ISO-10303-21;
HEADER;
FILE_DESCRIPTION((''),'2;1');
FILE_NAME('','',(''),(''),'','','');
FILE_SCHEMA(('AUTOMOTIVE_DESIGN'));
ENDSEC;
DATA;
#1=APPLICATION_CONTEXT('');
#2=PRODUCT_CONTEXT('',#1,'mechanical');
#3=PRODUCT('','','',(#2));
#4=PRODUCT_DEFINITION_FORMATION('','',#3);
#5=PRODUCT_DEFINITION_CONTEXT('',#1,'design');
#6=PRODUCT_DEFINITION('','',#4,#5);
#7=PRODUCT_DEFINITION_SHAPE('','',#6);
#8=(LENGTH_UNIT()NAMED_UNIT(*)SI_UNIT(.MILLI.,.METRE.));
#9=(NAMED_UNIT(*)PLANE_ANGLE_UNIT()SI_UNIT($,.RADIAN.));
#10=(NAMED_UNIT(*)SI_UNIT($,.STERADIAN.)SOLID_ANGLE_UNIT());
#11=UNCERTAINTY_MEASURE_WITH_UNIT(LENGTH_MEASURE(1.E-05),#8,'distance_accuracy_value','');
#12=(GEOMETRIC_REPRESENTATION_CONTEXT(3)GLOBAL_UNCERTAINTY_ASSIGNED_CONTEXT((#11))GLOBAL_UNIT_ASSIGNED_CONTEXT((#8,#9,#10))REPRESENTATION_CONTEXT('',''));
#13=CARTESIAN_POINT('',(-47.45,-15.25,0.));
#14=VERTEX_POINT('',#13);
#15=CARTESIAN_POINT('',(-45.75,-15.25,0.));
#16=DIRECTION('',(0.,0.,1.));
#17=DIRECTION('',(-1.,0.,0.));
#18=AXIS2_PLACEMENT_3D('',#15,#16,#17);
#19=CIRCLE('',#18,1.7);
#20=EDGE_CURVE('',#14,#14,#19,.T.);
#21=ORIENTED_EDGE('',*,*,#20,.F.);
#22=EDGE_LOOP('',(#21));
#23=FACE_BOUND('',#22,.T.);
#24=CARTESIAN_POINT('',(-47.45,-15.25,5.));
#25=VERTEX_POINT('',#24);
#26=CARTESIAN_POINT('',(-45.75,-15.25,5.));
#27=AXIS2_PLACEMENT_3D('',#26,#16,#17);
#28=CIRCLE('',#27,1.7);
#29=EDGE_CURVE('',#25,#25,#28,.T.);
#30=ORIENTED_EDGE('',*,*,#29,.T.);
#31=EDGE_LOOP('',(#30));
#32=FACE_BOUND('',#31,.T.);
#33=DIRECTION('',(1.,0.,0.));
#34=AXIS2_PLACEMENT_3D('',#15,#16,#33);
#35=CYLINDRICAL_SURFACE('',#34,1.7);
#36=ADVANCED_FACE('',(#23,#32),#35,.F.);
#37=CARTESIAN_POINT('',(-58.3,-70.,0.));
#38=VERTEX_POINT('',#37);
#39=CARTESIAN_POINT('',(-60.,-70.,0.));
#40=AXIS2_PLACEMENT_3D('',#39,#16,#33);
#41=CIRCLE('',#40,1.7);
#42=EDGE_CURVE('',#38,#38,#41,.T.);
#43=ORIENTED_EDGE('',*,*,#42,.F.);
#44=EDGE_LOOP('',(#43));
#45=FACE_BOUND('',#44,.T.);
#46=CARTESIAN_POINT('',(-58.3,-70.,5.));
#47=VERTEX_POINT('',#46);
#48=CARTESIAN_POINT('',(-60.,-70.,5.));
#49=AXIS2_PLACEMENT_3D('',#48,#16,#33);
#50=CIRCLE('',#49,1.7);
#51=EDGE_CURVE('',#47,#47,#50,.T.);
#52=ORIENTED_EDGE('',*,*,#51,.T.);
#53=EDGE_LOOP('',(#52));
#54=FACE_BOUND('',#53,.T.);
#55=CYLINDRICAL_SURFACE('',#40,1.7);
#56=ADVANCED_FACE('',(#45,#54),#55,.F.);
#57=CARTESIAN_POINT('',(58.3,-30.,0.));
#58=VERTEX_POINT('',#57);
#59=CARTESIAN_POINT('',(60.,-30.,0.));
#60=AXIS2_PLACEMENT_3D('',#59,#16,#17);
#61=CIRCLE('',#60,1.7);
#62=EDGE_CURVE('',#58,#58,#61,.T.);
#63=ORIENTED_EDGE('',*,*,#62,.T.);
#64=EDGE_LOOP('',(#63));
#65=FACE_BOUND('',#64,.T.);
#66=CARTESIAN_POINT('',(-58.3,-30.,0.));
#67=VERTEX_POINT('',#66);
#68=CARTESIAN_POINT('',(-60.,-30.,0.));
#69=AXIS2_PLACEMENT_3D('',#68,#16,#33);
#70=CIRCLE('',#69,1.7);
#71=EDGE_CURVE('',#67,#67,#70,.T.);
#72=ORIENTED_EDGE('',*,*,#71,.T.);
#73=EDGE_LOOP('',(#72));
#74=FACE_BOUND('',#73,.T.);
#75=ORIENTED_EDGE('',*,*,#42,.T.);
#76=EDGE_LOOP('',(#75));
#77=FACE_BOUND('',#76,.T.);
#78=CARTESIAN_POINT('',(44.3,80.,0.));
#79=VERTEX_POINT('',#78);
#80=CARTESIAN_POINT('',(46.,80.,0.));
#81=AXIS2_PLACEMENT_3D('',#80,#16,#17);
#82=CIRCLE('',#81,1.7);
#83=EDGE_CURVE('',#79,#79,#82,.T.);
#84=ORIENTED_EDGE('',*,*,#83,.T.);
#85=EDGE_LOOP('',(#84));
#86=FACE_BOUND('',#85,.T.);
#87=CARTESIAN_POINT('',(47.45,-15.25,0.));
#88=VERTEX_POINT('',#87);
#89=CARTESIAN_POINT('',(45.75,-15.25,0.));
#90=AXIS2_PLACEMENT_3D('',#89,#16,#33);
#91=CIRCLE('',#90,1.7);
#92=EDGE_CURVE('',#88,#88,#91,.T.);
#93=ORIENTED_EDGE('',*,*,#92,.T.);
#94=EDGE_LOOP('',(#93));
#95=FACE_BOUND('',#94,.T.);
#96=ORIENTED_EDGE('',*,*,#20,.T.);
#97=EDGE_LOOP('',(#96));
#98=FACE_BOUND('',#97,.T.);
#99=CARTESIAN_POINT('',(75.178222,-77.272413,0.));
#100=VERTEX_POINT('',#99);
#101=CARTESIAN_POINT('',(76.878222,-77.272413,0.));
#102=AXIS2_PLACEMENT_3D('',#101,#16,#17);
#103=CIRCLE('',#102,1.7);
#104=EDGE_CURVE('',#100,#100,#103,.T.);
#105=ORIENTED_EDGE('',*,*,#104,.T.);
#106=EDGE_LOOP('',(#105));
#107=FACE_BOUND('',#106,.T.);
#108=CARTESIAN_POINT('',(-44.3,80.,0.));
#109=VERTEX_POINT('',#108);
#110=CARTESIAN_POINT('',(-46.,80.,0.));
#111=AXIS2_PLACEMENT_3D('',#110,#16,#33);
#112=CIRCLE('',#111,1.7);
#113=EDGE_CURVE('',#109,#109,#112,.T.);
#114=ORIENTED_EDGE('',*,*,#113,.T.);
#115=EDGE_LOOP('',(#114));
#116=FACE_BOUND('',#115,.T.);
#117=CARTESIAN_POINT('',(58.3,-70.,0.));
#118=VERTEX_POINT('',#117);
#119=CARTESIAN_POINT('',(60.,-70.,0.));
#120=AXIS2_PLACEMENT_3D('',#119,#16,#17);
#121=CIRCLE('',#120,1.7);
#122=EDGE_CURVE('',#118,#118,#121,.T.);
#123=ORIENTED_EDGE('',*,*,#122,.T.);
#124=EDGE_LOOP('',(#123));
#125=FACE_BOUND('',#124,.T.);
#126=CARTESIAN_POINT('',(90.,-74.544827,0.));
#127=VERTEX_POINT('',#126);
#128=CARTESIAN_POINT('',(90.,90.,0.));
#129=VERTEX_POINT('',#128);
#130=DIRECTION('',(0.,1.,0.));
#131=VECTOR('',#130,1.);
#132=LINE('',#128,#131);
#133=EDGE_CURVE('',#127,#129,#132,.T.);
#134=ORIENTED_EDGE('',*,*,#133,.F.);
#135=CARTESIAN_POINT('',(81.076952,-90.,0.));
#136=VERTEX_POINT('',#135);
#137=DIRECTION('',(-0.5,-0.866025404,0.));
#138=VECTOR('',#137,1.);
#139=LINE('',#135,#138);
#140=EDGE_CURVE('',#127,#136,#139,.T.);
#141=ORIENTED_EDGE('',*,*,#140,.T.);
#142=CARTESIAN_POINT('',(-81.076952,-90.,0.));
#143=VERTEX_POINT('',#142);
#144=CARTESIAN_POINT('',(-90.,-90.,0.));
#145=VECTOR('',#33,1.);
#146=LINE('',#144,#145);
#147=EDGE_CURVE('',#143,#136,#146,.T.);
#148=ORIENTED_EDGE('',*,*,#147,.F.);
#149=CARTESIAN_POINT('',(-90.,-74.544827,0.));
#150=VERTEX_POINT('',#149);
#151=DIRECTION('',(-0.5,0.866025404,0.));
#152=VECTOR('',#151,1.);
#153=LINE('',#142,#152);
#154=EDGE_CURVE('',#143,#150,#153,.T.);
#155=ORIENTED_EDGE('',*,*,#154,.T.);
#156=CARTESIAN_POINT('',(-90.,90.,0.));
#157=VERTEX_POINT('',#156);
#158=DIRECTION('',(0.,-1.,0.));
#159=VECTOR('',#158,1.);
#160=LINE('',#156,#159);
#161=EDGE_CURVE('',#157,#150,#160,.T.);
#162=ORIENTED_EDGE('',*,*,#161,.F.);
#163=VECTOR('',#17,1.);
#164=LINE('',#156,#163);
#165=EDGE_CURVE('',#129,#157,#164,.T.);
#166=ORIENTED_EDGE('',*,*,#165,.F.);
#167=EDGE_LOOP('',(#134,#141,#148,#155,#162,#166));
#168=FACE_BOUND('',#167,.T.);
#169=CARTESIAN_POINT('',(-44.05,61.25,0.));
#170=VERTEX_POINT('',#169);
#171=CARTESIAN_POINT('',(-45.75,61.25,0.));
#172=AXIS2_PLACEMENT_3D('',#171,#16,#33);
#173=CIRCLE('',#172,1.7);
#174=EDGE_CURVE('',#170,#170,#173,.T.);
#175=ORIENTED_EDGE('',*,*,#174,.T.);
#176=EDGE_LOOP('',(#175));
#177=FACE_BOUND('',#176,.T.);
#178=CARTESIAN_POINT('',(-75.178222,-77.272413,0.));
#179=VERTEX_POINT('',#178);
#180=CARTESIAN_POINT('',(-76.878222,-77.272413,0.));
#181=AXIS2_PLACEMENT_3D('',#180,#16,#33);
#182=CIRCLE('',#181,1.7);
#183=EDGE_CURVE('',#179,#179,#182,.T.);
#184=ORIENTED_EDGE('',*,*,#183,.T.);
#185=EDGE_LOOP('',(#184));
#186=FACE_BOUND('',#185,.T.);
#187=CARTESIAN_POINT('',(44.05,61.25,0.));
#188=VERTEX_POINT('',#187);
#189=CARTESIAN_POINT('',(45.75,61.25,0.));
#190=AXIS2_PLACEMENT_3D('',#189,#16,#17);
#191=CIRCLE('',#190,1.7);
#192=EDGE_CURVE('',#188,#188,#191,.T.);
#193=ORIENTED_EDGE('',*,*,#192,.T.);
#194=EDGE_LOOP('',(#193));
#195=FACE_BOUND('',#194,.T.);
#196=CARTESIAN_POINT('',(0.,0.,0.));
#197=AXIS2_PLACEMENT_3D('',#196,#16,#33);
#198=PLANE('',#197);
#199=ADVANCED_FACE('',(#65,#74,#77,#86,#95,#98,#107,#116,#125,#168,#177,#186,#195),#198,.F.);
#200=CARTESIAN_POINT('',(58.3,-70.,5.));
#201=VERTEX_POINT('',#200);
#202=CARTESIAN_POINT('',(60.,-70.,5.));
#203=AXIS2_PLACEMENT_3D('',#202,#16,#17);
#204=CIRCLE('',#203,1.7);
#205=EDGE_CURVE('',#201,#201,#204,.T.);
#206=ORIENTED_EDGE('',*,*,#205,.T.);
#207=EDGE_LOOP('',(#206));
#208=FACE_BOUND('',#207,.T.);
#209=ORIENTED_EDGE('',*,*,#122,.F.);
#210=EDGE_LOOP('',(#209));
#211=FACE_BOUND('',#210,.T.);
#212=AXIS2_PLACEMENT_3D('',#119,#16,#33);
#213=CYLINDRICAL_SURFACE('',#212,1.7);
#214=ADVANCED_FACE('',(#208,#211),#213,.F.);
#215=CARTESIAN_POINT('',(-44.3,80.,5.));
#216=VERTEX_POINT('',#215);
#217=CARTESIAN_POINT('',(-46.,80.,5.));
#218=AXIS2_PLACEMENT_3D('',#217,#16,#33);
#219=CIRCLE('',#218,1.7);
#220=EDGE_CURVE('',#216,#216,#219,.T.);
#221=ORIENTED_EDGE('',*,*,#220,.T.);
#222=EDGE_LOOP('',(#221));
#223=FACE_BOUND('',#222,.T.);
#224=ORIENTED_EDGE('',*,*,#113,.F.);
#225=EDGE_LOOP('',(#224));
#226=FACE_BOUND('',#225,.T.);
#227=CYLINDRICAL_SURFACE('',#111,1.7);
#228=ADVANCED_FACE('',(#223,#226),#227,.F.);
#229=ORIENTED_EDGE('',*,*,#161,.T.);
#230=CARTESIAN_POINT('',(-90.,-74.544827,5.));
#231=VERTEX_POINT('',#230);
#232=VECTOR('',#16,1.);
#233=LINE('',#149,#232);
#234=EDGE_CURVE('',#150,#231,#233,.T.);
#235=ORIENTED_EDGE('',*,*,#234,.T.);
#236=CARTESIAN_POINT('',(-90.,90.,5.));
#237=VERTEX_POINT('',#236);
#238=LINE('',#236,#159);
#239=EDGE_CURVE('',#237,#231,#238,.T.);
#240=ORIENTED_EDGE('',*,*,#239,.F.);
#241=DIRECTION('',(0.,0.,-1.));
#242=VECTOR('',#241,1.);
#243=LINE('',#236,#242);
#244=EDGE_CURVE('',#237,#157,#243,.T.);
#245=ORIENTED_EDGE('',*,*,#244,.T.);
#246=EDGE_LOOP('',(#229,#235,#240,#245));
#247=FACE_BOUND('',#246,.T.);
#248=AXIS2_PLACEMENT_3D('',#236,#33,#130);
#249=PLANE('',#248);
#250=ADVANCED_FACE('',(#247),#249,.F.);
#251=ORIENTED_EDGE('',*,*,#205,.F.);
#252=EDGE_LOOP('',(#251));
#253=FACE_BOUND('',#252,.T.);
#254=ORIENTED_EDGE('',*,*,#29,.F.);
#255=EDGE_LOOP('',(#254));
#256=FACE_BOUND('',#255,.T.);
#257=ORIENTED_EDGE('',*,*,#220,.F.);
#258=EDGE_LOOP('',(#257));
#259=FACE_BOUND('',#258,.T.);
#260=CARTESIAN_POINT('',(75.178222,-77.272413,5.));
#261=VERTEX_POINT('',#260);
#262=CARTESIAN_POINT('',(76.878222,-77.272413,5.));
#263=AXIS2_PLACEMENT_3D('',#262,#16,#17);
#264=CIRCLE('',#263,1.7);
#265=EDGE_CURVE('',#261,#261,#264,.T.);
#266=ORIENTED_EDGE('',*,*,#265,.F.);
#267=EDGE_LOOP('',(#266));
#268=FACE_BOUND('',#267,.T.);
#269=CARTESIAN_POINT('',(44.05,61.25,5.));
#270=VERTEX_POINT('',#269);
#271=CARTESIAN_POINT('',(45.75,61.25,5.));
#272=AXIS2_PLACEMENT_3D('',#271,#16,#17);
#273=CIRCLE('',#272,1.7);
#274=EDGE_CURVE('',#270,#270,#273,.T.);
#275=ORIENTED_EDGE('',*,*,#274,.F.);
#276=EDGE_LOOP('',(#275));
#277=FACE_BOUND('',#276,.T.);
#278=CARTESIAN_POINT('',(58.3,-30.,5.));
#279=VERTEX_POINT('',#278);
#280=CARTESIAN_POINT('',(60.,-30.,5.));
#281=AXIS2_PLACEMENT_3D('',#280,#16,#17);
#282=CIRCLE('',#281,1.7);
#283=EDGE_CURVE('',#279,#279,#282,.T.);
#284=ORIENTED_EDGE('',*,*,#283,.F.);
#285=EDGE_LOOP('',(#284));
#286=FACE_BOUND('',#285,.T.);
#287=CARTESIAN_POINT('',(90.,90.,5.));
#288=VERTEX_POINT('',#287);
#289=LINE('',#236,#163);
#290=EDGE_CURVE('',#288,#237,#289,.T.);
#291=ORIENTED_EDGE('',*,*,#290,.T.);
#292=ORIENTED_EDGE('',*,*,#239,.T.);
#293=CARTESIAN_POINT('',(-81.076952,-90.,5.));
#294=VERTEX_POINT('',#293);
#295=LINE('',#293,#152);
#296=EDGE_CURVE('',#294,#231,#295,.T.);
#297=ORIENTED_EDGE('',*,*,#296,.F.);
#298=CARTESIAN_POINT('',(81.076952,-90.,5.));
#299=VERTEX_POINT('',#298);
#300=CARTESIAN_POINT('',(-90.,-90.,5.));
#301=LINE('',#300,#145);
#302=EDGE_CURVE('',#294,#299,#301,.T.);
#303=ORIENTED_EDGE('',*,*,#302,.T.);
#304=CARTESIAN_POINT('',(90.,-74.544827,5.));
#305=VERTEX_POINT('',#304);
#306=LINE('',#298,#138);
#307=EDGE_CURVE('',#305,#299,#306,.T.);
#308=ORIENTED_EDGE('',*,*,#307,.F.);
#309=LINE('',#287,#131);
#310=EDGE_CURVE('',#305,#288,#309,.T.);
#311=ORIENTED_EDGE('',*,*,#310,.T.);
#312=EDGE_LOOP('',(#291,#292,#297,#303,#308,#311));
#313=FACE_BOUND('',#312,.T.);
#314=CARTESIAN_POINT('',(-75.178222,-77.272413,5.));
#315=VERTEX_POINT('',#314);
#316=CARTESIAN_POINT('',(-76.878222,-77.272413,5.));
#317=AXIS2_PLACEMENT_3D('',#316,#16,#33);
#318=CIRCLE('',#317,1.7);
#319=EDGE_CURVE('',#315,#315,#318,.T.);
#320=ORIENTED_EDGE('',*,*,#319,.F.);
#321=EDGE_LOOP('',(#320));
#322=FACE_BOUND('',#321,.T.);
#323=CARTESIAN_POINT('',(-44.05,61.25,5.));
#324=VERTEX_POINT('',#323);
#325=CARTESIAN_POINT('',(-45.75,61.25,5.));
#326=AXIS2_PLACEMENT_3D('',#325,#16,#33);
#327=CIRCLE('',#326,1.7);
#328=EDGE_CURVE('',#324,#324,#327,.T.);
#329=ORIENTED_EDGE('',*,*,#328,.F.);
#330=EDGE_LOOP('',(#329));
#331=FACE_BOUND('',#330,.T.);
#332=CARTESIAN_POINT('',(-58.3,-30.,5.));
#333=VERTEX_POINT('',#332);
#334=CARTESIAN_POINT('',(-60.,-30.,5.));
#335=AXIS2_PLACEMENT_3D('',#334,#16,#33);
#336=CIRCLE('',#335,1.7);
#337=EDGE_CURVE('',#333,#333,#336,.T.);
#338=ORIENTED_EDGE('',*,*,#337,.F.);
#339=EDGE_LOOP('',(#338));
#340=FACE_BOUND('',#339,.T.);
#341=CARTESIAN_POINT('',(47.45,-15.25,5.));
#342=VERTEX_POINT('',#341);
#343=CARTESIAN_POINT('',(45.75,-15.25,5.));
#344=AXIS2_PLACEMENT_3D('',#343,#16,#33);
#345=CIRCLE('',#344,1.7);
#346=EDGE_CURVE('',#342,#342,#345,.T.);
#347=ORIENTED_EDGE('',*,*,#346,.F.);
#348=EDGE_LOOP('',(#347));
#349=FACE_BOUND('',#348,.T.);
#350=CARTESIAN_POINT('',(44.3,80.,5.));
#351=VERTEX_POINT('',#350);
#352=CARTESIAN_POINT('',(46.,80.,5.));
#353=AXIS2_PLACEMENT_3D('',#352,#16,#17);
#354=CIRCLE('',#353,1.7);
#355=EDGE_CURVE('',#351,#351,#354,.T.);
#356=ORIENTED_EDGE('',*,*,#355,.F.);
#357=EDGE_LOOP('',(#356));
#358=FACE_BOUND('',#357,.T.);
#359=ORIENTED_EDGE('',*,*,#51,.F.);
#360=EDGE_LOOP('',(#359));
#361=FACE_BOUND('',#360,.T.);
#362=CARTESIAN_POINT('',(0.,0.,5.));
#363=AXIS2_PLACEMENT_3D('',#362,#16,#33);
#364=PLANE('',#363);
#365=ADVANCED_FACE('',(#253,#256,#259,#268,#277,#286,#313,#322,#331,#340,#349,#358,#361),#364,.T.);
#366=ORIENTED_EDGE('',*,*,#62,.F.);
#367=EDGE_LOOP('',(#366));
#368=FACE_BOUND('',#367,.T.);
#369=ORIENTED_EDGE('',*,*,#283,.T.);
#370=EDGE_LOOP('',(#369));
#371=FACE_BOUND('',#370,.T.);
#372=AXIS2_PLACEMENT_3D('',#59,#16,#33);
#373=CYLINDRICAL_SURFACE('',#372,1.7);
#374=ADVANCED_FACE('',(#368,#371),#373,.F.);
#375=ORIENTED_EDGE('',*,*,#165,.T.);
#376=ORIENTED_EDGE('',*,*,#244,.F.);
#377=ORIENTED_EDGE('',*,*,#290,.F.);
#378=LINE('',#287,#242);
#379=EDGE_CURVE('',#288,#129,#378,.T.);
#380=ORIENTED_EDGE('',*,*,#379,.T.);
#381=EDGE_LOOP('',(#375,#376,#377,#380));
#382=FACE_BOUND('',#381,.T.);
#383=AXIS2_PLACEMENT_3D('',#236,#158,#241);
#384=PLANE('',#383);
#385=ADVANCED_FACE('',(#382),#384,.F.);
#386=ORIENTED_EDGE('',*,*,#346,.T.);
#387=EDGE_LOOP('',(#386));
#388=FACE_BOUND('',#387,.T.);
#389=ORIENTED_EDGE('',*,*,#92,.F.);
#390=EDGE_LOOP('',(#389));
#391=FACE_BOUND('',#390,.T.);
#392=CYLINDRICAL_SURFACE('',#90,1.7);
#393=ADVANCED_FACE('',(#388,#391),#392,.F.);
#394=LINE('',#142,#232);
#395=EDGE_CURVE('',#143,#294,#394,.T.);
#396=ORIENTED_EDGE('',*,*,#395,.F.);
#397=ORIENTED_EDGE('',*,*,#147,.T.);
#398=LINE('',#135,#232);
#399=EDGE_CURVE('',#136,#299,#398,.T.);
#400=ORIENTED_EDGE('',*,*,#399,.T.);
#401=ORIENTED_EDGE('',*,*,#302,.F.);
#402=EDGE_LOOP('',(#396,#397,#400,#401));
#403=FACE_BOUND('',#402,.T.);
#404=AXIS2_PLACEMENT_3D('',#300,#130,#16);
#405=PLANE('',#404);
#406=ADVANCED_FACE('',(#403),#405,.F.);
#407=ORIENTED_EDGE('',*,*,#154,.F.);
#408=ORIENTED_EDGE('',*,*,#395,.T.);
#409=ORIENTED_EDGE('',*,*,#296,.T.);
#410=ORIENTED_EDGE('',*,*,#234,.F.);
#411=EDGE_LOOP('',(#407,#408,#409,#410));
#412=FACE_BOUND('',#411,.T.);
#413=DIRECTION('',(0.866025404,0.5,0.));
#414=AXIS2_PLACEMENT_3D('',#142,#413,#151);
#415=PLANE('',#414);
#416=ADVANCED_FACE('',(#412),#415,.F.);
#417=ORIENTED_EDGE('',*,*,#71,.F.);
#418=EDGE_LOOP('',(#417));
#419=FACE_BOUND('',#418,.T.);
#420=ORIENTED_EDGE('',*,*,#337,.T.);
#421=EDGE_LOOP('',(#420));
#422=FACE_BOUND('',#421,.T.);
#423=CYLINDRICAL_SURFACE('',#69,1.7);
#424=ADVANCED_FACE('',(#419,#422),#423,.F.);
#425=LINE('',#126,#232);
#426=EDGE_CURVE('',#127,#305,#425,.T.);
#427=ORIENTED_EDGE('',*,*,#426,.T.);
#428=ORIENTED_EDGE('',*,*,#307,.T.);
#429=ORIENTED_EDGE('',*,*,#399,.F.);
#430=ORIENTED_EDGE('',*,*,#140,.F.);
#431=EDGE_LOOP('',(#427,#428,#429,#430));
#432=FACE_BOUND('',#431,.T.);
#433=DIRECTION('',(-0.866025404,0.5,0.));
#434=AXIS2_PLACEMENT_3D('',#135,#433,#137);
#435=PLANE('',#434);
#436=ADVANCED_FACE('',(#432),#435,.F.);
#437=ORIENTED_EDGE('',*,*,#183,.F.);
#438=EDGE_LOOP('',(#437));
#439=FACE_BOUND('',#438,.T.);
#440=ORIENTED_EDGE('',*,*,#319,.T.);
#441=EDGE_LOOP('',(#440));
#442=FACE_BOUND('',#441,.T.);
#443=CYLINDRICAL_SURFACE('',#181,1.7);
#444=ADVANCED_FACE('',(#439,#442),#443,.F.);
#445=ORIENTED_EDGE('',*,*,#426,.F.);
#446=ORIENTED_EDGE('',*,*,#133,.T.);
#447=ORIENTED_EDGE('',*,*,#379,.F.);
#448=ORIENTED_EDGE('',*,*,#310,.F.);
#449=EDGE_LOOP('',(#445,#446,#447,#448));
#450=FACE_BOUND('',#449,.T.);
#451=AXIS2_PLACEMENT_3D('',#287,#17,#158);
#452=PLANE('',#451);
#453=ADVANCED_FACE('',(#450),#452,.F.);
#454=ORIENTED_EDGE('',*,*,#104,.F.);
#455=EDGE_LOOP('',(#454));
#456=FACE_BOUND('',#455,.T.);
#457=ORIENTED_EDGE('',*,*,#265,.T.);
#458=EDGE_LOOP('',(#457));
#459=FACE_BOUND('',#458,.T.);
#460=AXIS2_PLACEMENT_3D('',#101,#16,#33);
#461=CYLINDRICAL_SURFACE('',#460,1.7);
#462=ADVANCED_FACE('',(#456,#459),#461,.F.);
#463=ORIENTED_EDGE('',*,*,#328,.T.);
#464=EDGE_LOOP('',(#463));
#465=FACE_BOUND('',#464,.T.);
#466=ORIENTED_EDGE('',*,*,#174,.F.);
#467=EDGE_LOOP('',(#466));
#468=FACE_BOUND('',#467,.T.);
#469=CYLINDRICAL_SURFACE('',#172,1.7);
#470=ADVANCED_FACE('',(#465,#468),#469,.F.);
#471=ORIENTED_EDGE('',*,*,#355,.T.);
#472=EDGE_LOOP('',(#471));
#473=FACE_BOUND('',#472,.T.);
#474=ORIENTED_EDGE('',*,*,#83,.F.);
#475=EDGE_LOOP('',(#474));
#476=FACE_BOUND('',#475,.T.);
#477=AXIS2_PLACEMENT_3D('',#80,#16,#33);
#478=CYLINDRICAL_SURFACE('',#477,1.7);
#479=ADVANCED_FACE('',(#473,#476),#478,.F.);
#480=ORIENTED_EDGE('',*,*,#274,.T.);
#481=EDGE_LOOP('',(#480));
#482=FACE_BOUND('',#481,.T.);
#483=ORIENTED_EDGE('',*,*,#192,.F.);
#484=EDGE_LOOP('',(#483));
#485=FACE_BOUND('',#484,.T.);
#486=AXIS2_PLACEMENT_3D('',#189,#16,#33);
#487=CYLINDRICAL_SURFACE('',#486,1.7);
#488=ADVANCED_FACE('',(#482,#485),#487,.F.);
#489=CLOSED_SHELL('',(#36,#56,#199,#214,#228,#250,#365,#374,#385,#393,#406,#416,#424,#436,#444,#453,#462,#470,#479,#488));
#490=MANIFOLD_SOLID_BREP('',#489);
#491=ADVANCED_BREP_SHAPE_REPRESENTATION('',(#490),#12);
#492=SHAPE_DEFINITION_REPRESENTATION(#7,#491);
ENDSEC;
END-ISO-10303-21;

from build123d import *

# Parameters (mm, degrees)
SKETCH_1_W          = 180
SKETCH_1_H          = 180
EXTRUDE_1_DEPTH     = 5
SKETCH_2_R          = 1.7
CUT_EXTRUDE_1_DEPTH = 128.377392029
CUT_EXTRUDE_2_DEPTH = 128.377392029
SKETCH_4_R          = 1.7
CUT_EXTRUDE_3_DEPTH = 128.377392029
SKETCH_5_R          = 1.7
CUT_EXTRUDE_4_DEPTH = 128.377392029
SKETCH_6_R          = 1.7
CUT_EXTRUDE_5_DEPTH = 128.377392029


with BuildPart() as part:
    # 草圖1 → 填料-伸長1 (new body)
    with BuildSketch(Plane.XY):
        Rectangle(SKETCH_1_W, SKETCH_1_H)
    extrude(amount=EXTRUDE_1_DEPTH)

    # 草圖2 → 除料-伸長1 (cut, through all)
    with BuildSketch(Plane.XY.offset(5)):
        with Locations((-46, 80)):
            Circle(SKETCH_2_R)
        with Locations(Location((46, 80, 0), (0, 0, 180))):
            Circle(SKETCH_2_R)
    extrude(amount=-CUT_EXTRUDE_1_DEPTH, mode=Mode.SUBTRACT)

    # 草圖3 → 除料-伸長2 (cut, through all)
    with BuildSketch(Plane.XY.offset(5)):
        Polygon((-90, -90), (-81.076951546, -90), (-90, -74.544826719), align=None)
        Polygon((90, -90), (81.076951546, -90), (90, -74.544826719), align=None)
    extrude(amount=-CUT_EXTRUDE_2_DEPTH, mode=Mode.SUBTRACT)

    # 草圖4 → 除料-伸長3 (cut, through all)
    with BuildSketch(Plane.XY.offset(5)):
        with Locations((-76.878221735, -77.27241336)):
            Circle(SKETCH_4_R)
        with Locations(Location((76.878221735, -77.27241336, 0), (0, 0, 180))):
            Circle(SKETCH_4_R)
    extrude(amount=-CUT_EXTRUDE_3_DEPTH, mode=Mode.SUBTRACT)

    # 草圖5 → 除料-伸長4 (cut, through all)
    with BuildSketch(Plane.XY.offset(5)):
        with Locations((-45.75, 61.25)):
            Circle(SKETCH_5_R)
        with Locations(Location((45.75, 61.25, 0), (0, 0, 180))):
            Circle(SKETCH_5_R)
        with Locations((45.75, -15.25)):
            Circle(SKETCH_5_R)
        with Locations(Location((-45.75, -15.25, 0), (0, 0, 180))):
            Circle(SKETCH_5_R)
    extrude(amount=-CUT_EXTRUDE_4_DEPTH, mode=Mode.SUBTRACT)

    # 草圖6 → 除料-伸長5 (cut, through all)
    with BuildSketch(Plane.XY.offset(5)):
        with Locations((-60, -30)):
            Circle(SKETCH_6_R)
        with Locations((-60, -70)):
            Circle(SKETCH_6_R)
        with Locations(Location((60, -70, 0), (0, 0, 180))):
            Circle(SKETCH_6_R)
        with Locations(Location((60, -30, 0), (0, 0, 180))):
            Circle(SKETCH_6_R)
    extrude(amount=-CUT_EXTRUDE_5_DEPTH, mode=Mode.SUBTRACT)


solid = part.part
